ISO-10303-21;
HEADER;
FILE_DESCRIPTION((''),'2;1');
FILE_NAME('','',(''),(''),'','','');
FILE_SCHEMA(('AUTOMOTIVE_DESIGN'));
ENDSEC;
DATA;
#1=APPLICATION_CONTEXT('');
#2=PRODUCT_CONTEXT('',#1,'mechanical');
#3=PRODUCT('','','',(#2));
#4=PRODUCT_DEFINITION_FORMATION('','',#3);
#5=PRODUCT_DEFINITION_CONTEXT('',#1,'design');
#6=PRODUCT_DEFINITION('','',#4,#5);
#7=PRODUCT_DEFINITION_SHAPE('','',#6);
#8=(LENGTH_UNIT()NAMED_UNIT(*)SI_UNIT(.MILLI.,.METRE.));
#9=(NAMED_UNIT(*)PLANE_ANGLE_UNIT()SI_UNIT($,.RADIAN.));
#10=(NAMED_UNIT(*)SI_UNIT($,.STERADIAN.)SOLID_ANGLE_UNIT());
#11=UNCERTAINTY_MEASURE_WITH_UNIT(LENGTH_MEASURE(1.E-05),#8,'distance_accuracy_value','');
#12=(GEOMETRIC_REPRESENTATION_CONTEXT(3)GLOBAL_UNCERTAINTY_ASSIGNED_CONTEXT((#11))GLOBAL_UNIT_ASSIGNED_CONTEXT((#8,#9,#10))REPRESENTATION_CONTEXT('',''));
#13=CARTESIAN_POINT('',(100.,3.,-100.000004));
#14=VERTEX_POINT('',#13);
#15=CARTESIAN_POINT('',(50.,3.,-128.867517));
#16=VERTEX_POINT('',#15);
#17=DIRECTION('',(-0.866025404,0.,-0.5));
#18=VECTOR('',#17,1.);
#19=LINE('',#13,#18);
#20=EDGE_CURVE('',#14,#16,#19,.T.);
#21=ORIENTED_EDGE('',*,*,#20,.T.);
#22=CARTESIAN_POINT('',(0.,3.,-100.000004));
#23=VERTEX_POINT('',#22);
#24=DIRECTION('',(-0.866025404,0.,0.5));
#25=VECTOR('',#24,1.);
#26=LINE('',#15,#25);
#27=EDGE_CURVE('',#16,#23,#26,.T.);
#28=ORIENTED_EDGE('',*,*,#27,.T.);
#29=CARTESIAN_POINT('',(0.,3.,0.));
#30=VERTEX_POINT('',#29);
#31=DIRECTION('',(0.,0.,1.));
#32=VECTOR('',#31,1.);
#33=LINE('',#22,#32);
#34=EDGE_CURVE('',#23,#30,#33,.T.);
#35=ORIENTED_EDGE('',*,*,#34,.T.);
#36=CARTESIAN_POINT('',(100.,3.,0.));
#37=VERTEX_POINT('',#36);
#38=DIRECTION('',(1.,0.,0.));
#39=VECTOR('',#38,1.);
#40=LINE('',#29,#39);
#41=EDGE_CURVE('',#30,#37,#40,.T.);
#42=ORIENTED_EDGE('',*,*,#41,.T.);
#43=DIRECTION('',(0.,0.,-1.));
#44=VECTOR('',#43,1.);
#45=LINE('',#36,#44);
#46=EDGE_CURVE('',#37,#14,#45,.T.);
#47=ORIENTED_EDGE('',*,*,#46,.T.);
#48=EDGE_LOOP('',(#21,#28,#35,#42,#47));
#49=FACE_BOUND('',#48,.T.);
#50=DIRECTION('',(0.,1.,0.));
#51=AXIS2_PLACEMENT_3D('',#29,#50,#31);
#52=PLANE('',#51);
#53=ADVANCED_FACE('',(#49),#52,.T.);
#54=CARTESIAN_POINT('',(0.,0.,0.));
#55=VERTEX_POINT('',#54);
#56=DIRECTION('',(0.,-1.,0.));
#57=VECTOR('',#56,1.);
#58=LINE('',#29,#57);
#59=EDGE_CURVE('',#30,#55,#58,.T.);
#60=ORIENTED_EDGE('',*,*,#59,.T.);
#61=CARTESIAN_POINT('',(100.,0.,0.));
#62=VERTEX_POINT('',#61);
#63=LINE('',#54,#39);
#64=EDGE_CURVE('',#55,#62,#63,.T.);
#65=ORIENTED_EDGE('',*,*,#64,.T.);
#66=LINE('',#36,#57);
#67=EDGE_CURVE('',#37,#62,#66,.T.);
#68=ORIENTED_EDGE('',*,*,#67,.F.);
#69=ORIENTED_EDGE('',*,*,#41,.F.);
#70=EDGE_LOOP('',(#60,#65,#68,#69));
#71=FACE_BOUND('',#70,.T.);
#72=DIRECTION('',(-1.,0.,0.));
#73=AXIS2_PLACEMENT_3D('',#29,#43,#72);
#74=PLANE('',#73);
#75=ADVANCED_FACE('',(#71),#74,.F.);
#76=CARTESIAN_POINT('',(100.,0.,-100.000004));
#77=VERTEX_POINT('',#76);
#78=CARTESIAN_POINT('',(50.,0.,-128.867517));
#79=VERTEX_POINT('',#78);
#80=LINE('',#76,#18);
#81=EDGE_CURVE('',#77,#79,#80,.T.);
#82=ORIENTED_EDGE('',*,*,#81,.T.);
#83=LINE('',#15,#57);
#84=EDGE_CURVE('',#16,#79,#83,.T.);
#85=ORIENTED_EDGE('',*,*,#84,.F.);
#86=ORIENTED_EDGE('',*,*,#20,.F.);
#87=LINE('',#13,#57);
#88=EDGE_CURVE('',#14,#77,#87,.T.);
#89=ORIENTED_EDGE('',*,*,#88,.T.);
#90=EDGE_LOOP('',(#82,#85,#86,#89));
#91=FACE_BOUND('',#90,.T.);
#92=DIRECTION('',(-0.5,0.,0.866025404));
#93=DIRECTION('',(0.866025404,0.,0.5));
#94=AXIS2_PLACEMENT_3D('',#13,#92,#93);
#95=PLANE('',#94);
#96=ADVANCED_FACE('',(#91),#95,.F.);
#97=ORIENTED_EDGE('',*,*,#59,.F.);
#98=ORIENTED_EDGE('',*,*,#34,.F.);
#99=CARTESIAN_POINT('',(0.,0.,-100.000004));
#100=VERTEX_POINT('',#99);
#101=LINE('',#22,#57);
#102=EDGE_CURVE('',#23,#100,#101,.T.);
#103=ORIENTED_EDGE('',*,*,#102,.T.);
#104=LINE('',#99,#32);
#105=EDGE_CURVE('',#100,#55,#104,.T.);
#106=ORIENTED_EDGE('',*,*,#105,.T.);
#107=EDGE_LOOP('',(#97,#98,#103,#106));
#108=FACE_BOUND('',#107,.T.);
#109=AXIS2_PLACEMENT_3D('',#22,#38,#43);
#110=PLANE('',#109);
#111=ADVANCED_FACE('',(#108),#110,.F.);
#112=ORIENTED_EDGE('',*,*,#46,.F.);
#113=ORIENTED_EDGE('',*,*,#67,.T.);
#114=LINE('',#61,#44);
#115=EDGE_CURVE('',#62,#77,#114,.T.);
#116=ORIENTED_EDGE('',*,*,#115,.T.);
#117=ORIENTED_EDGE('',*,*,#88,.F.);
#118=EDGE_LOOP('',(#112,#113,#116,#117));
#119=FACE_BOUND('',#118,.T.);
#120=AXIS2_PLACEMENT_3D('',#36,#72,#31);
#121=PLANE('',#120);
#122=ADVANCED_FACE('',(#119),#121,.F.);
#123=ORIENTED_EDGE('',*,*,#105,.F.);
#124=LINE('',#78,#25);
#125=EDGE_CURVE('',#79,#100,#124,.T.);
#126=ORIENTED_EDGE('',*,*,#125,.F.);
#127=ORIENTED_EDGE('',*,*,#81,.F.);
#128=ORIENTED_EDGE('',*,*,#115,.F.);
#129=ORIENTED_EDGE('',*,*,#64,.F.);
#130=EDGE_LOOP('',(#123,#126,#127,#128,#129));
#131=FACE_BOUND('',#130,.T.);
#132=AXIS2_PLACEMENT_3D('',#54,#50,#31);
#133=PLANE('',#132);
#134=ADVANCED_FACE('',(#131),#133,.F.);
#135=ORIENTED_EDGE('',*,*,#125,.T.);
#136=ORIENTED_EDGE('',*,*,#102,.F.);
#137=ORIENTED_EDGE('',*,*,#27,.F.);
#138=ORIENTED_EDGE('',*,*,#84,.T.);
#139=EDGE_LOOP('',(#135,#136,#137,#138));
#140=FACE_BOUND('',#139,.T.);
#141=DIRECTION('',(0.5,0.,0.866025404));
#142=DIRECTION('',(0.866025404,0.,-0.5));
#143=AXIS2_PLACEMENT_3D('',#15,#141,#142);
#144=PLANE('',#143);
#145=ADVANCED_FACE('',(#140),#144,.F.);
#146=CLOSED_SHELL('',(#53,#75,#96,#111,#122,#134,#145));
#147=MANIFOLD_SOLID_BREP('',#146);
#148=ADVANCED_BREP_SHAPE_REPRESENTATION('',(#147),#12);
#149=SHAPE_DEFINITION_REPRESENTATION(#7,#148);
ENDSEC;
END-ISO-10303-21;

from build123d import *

# Parameters (mm, degrees)
BOSS_EXTRUDE1_DEPTH = 3


with BuildPart() as part:
    # Sketch2 → Boss-Extrude1 (new body)
    with BuildSketch(Plane(origin=(0, 0, 0), x_dir=(1, 0, 0), z_dir=(0, 1, 0))):
        Polygon((0, 0), (100, 0), (100, 100.000003541), (50, 128.867517), (0, 100.000003541), align=None)
    extrude(amount=BOSS_EXTRUDE1_DEPTH)


solid = part.part
